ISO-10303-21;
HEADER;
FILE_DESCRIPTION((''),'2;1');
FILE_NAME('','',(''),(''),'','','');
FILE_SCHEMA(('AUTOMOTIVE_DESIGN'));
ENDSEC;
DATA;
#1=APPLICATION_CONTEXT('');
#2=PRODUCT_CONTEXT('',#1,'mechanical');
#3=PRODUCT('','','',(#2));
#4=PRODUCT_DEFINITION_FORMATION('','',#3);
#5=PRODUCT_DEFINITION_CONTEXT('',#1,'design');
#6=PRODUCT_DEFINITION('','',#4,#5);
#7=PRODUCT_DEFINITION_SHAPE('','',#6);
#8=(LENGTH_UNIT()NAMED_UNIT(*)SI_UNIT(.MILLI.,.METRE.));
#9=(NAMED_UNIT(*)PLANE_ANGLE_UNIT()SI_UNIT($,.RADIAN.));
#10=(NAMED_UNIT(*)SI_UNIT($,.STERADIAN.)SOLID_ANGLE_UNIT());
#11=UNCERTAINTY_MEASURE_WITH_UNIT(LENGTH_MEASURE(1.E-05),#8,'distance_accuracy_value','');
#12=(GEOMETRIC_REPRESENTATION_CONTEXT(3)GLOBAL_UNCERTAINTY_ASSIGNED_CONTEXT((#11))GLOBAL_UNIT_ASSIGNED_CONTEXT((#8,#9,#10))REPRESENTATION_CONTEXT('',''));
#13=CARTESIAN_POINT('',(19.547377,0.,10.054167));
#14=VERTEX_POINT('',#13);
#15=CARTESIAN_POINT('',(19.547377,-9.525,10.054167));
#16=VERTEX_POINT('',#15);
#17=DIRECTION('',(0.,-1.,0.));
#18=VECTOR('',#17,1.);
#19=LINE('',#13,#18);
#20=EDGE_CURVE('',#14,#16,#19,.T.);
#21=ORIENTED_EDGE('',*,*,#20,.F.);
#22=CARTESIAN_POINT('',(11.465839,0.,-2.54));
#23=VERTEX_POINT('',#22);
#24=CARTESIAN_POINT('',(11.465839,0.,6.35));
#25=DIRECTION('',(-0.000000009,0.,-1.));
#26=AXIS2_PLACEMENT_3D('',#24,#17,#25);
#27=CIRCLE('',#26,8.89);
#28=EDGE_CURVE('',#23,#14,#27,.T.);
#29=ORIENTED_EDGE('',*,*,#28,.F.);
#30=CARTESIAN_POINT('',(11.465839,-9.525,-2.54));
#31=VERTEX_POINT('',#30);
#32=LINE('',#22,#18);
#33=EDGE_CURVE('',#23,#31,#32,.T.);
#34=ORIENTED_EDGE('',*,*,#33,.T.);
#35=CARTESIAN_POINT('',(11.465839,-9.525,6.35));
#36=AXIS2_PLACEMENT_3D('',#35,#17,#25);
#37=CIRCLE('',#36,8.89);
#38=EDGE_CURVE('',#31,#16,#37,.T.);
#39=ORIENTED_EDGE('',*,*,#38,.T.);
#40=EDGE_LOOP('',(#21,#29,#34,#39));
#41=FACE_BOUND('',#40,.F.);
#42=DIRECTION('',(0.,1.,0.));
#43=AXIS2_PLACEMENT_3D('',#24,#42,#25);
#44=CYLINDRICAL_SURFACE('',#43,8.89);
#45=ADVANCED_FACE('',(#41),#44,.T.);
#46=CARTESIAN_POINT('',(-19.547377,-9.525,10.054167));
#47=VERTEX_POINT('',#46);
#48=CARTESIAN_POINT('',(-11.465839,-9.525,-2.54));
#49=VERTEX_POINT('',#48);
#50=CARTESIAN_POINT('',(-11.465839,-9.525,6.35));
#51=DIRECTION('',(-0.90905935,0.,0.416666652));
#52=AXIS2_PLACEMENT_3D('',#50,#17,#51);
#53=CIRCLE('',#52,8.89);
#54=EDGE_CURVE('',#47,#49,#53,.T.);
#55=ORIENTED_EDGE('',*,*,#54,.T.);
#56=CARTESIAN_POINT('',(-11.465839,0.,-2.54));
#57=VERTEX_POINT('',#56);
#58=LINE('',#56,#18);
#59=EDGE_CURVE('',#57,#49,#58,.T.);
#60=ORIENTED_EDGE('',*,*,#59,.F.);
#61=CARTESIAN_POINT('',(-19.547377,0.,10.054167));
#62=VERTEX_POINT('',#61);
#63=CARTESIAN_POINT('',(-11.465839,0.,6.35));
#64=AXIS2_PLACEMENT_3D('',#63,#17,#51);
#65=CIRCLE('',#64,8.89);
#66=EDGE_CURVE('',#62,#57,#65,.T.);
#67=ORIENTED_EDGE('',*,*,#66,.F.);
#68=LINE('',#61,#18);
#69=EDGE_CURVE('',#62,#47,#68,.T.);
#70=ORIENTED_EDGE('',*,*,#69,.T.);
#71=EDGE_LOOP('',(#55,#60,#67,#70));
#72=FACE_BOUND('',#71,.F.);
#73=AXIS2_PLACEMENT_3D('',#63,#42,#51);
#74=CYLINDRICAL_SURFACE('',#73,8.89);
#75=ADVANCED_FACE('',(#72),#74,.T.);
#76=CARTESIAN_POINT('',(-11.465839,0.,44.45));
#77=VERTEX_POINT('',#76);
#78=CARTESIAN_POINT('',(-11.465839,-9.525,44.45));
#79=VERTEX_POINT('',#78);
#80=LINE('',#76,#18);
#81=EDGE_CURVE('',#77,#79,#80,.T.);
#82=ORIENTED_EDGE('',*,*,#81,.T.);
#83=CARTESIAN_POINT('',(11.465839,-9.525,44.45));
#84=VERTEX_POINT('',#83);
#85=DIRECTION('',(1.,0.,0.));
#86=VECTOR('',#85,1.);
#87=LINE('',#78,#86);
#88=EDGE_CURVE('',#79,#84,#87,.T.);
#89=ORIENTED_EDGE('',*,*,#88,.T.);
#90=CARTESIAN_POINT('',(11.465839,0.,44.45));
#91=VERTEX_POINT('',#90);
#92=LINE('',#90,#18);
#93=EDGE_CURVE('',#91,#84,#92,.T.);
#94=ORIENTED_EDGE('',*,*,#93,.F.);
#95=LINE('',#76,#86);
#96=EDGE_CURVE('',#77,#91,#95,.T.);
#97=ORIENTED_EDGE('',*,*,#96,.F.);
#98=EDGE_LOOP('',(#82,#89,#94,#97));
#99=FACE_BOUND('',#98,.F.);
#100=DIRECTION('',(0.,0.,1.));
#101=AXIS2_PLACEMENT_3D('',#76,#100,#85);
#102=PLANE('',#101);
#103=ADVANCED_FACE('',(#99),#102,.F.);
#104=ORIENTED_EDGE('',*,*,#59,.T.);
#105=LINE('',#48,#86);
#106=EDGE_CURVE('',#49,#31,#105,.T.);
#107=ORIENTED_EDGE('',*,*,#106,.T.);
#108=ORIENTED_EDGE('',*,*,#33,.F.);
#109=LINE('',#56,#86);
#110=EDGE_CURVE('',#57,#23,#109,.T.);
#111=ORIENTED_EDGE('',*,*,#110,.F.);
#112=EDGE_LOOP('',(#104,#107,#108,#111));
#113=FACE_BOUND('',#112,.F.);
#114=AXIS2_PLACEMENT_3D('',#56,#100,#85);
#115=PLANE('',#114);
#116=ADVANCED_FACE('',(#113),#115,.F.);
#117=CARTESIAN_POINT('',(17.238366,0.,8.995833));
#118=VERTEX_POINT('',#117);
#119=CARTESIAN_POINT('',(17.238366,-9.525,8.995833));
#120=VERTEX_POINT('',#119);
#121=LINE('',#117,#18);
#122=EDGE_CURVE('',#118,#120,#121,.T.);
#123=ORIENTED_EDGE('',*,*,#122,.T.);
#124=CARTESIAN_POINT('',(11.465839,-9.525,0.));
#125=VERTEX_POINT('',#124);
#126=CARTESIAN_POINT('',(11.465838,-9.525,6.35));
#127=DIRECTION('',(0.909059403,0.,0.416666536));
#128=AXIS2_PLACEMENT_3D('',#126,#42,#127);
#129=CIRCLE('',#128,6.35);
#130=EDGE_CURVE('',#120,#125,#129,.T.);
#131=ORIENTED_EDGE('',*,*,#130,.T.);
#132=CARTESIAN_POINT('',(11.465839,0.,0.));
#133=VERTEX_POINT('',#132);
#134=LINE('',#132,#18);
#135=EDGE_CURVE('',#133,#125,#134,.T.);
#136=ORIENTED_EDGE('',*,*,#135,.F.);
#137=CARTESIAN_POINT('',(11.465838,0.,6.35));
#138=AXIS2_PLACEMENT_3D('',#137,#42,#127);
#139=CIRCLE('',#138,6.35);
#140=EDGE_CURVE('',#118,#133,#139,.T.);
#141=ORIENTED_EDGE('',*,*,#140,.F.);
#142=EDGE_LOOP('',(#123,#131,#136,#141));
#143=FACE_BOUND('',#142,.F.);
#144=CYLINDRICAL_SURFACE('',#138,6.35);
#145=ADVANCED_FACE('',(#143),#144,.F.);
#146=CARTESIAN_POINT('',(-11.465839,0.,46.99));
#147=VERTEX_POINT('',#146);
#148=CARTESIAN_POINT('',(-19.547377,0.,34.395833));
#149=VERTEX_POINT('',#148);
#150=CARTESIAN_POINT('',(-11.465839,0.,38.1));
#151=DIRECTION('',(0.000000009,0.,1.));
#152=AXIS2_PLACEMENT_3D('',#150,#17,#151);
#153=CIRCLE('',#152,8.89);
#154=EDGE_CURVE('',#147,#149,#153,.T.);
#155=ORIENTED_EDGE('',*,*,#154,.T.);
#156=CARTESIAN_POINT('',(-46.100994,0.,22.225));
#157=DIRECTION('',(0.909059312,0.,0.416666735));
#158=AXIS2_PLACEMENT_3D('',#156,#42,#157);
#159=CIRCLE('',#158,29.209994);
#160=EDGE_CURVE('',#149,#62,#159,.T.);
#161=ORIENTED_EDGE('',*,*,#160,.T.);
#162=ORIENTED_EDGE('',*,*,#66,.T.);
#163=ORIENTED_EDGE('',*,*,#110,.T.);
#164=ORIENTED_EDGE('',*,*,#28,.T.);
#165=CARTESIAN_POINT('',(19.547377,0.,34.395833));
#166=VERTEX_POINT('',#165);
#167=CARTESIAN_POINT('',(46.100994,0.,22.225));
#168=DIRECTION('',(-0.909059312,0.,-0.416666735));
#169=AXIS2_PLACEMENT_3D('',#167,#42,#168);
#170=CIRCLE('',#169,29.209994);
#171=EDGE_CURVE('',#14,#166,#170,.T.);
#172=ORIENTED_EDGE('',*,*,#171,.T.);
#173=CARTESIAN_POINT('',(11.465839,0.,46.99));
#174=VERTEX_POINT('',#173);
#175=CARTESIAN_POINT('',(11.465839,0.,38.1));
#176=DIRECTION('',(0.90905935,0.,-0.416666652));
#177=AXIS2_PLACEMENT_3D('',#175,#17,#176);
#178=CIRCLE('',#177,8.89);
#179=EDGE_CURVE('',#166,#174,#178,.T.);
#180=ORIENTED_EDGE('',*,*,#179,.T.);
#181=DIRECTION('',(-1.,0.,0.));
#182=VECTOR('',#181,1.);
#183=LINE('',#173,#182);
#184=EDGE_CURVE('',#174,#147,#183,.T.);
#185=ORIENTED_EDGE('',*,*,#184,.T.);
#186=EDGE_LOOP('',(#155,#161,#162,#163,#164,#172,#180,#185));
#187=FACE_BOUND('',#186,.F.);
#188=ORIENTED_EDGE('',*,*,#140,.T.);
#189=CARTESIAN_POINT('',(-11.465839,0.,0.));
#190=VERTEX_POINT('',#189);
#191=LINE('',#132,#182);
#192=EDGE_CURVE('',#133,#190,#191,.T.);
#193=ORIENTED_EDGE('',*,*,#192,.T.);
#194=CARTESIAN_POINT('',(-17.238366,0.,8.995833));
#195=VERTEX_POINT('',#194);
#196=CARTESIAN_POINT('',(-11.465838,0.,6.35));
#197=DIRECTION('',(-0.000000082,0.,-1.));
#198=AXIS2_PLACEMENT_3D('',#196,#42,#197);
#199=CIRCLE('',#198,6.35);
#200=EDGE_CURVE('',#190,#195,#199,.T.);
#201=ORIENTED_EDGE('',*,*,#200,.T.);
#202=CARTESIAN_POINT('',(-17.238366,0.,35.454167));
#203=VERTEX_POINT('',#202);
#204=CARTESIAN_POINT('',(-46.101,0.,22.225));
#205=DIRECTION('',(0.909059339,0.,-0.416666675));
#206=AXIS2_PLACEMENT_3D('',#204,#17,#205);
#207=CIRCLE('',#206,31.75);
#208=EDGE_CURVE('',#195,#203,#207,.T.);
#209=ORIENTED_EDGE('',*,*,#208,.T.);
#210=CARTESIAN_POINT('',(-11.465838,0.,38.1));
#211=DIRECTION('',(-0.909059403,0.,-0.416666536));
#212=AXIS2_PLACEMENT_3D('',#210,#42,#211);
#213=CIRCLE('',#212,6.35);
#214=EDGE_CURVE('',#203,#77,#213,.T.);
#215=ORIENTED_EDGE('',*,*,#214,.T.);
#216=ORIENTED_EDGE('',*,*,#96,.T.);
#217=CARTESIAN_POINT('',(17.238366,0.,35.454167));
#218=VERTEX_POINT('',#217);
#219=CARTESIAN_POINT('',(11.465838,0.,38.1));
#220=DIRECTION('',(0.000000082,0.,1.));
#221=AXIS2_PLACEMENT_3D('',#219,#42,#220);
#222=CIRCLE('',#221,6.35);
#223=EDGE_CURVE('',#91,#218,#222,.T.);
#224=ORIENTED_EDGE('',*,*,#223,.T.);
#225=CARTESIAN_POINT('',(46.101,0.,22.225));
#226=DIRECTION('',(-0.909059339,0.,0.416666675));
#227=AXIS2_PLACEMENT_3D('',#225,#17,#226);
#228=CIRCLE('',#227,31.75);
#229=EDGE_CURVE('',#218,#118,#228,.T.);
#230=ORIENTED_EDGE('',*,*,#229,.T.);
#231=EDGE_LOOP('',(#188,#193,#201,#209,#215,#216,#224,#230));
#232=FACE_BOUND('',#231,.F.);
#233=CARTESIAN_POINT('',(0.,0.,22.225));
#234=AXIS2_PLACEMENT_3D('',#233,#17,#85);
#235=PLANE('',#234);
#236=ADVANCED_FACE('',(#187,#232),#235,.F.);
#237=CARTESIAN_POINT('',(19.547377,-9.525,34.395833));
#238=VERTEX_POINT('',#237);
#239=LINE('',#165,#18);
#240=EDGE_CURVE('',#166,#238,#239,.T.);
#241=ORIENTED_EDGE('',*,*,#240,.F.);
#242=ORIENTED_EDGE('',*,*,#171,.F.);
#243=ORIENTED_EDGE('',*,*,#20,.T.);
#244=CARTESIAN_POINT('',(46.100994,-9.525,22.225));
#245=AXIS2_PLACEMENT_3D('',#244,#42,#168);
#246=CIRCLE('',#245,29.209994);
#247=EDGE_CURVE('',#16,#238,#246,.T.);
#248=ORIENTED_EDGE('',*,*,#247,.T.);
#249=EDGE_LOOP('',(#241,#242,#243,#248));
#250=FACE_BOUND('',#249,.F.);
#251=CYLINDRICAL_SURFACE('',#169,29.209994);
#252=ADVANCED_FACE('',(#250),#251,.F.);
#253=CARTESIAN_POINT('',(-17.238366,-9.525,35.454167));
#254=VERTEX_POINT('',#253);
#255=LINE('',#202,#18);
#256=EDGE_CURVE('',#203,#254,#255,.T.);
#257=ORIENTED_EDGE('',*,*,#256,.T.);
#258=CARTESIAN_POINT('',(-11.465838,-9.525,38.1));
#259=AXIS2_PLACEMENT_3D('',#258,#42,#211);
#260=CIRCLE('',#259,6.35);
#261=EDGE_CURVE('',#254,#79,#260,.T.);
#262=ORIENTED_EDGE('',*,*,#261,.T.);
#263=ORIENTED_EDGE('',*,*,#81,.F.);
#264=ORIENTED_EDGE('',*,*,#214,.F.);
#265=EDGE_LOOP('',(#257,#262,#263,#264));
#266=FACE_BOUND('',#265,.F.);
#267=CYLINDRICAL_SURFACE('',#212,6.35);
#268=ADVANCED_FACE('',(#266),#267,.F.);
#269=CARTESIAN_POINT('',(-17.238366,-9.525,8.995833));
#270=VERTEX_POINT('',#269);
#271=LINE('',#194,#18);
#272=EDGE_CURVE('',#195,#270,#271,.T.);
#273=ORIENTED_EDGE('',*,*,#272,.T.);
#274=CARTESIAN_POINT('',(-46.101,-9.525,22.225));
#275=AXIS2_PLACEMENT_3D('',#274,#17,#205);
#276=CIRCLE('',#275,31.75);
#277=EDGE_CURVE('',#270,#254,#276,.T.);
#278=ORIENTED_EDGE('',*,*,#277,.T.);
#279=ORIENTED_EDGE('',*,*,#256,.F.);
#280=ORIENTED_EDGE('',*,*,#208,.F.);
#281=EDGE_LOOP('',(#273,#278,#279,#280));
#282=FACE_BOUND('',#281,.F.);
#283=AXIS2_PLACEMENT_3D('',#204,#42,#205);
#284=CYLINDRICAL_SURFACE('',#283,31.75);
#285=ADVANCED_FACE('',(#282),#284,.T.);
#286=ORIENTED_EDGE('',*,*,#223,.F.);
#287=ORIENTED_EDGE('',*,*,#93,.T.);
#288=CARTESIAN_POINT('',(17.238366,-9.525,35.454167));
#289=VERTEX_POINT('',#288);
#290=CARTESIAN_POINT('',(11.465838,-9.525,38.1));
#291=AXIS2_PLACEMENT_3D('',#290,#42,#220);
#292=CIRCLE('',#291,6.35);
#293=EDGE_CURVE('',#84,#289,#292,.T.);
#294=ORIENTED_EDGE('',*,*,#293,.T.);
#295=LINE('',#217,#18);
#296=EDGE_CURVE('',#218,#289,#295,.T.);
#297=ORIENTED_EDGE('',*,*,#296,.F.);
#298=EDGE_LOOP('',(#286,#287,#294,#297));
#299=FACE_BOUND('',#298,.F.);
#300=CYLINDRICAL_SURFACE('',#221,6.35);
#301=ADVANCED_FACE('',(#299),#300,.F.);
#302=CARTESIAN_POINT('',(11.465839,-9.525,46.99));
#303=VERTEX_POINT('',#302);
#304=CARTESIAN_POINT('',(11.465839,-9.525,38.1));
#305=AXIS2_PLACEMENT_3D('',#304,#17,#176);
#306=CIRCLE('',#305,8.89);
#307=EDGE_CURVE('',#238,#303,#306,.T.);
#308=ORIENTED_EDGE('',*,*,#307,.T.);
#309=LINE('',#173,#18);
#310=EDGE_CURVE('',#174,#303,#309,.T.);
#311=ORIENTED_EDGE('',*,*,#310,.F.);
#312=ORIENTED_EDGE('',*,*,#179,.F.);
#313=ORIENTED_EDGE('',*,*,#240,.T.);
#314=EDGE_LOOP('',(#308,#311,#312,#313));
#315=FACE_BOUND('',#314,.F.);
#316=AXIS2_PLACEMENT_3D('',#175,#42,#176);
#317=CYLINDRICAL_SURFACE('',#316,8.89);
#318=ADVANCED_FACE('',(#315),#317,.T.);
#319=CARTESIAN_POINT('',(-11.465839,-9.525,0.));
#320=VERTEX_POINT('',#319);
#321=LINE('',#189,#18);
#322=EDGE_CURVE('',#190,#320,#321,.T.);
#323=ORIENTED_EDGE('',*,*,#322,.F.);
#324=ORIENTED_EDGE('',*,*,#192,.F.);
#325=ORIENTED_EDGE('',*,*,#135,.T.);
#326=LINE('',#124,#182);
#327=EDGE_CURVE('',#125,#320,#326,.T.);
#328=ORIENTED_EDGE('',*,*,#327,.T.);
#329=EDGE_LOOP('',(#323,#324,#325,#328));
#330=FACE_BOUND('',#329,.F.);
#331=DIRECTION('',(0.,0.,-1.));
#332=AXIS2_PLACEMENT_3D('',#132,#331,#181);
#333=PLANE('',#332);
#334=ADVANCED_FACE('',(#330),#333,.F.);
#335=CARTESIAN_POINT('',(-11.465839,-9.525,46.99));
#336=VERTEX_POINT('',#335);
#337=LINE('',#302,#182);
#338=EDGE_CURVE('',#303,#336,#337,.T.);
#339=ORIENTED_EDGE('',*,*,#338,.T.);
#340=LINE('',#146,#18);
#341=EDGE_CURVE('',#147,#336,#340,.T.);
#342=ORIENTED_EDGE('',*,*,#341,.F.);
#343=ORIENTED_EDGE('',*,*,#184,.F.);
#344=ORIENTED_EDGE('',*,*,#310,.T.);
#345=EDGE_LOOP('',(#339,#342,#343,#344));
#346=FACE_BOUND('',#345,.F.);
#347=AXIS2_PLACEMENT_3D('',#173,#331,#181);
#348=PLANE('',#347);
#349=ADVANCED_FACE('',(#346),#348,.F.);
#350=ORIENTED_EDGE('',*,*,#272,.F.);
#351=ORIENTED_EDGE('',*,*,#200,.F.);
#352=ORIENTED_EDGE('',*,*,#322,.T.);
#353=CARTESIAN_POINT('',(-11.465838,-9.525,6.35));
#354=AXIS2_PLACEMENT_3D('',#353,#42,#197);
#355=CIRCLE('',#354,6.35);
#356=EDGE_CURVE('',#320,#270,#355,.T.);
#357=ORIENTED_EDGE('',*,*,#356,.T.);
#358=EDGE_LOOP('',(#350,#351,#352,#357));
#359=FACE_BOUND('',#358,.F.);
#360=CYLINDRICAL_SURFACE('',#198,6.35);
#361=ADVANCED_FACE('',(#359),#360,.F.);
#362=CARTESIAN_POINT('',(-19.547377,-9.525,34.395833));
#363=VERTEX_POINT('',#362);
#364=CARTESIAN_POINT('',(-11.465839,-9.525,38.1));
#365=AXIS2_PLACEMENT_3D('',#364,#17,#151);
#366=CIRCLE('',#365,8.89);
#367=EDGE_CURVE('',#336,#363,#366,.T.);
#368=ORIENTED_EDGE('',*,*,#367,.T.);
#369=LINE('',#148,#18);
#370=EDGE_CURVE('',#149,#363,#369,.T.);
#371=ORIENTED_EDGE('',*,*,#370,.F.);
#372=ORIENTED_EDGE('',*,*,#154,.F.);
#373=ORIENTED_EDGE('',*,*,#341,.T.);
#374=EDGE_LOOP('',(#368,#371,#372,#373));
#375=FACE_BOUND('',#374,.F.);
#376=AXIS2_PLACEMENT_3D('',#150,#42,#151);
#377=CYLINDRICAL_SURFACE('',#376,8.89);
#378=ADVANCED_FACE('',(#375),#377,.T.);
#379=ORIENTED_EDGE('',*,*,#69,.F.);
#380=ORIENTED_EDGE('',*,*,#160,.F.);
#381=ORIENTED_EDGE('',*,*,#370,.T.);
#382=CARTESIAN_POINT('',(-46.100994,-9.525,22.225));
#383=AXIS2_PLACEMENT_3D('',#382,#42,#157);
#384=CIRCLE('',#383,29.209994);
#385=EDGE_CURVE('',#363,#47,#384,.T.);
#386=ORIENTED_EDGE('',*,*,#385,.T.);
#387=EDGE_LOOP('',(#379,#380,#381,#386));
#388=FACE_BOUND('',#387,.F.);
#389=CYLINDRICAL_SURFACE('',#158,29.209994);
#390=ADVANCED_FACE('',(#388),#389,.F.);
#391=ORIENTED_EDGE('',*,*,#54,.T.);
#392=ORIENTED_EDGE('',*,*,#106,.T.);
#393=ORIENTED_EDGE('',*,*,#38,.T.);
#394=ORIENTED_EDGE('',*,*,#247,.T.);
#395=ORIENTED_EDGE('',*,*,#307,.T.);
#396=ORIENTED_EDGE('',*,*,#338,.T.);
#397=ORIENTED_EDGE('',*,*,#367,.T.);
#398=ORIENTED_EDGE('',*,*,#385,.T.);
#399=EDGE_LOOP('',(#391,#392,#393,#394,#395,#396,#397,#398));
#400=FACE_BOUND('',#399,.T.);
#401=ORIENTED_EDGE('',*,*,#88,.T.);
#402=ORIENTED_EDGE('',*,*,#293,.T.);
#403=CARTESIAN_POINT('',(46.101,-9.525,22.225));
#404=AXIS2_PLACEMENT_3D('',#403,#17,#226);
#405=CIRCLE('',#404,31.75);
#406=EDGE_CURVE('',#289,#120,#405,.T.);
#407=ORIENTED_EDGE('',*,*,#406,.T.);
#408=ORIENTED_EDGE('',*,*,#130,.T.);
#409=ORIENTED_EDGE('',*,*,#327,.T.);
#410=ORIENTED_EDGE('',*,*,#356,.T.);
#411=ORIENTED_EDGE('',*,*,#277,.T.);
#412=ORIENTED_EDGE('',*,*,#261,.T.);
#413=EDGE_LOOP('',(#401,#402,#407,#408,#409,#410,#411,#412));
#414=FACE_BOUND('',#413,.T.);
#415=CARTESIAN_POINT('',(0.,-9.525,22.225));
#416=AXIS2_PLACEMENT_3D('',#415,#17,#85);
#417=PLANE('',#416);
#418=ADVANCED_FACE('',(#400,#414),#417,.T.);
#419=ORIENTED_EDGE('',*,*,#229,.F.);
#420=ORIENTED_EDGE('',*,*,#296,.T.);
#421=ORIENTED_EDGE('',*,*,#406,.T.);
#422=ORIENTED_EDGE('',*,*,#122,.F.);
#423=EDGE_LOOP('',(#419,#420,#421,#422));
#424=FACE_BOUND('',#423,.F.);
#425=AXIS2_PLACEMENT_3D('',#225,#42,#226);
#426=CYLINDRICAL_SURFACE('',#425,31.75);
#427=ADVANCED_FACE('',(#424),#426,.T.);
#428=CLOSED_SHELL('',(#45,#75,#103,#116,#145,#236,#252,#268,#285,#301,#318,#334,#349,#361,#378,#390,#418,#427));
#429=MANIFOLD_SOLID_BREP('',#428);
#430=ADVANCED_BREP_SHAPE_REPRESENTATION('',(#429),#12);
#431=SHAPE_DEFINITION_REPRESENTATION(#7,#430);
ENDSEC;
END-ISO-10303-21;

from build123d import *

# Parameters (mm, degrees)
F1_DEPTH = 9.525


with BuildPart() as f1:
    # F0 (on Front) → F1 (new body)
    with BuildSketch(Plane.XZ):
        with BuildLine():
            ThreePointArc((-19.547377, 34.395833), (-16.891, 22.225), (-19.547377, 10.054167))
            ThreePointArc((-19.547377, 10.054167), (-18.947889, 1.548851), (-11.465839, -2.54))
            Line((-11.465839, -2.54), (0, -2.54))
            Line((0, -2.54), (11.465839, -2.54))
            ThreePointArc((11.465839, -2.54), (18.947889, 1.548851), (19.547377, 10.054167))
            ThreePointArc((19.547377, 10.054167), (16.891, 22.225), (19.547377, 34.395833))
            ThreePointArc((19.547377, 34.395833), (18.947889, 42.901149), (11.465839, 46.99))
            Line((11.465839, 46.99), (0, 46.99))
            Line((0, 46.99), (-11.465839, 46.99))
            ThreePointArc((-11.465839, 46.99), (-18.947889, 42.901149), (-19.547377, 34.395833))
        make_face()
        with BuildLine():
            Line((11.465839, 0), (0, 0))
            Line((0, 0), (-11.465839, 0))
            ThreePointArc((-11.465839, 0), (-16.81016, 2.920608), (-17.238366, 8.995833))
            ThreePointArc((-17.238366, 8.995833), (-14.351, 22.225), (-17.238366, 35.454167))
            ThreePointArc((-17.238366, 35.454167), (-16.81016, 41.529392), (-11.465839, 44.45))
            Line((-11.465839, 44.45), (0, 44.45))
            Line((0, 44.45), (11.465839, 44.45))
            ThreePointArc((11.465839, 44.45), (16.81016, 41.529392), (17.238366, 35.454167))
            ThreePointArc((17.238366, 35.454167), (14.351, 22.225), (17.238366, 8.995833))
            ThreePointArc((17.238366, 8.995833), (16.81016, 2.920608), (11.465839, 0))
        make_face(mode=Mode.SUBTRACT)
    extrude(amount=F1_DEPTH)


solid = f1.part
